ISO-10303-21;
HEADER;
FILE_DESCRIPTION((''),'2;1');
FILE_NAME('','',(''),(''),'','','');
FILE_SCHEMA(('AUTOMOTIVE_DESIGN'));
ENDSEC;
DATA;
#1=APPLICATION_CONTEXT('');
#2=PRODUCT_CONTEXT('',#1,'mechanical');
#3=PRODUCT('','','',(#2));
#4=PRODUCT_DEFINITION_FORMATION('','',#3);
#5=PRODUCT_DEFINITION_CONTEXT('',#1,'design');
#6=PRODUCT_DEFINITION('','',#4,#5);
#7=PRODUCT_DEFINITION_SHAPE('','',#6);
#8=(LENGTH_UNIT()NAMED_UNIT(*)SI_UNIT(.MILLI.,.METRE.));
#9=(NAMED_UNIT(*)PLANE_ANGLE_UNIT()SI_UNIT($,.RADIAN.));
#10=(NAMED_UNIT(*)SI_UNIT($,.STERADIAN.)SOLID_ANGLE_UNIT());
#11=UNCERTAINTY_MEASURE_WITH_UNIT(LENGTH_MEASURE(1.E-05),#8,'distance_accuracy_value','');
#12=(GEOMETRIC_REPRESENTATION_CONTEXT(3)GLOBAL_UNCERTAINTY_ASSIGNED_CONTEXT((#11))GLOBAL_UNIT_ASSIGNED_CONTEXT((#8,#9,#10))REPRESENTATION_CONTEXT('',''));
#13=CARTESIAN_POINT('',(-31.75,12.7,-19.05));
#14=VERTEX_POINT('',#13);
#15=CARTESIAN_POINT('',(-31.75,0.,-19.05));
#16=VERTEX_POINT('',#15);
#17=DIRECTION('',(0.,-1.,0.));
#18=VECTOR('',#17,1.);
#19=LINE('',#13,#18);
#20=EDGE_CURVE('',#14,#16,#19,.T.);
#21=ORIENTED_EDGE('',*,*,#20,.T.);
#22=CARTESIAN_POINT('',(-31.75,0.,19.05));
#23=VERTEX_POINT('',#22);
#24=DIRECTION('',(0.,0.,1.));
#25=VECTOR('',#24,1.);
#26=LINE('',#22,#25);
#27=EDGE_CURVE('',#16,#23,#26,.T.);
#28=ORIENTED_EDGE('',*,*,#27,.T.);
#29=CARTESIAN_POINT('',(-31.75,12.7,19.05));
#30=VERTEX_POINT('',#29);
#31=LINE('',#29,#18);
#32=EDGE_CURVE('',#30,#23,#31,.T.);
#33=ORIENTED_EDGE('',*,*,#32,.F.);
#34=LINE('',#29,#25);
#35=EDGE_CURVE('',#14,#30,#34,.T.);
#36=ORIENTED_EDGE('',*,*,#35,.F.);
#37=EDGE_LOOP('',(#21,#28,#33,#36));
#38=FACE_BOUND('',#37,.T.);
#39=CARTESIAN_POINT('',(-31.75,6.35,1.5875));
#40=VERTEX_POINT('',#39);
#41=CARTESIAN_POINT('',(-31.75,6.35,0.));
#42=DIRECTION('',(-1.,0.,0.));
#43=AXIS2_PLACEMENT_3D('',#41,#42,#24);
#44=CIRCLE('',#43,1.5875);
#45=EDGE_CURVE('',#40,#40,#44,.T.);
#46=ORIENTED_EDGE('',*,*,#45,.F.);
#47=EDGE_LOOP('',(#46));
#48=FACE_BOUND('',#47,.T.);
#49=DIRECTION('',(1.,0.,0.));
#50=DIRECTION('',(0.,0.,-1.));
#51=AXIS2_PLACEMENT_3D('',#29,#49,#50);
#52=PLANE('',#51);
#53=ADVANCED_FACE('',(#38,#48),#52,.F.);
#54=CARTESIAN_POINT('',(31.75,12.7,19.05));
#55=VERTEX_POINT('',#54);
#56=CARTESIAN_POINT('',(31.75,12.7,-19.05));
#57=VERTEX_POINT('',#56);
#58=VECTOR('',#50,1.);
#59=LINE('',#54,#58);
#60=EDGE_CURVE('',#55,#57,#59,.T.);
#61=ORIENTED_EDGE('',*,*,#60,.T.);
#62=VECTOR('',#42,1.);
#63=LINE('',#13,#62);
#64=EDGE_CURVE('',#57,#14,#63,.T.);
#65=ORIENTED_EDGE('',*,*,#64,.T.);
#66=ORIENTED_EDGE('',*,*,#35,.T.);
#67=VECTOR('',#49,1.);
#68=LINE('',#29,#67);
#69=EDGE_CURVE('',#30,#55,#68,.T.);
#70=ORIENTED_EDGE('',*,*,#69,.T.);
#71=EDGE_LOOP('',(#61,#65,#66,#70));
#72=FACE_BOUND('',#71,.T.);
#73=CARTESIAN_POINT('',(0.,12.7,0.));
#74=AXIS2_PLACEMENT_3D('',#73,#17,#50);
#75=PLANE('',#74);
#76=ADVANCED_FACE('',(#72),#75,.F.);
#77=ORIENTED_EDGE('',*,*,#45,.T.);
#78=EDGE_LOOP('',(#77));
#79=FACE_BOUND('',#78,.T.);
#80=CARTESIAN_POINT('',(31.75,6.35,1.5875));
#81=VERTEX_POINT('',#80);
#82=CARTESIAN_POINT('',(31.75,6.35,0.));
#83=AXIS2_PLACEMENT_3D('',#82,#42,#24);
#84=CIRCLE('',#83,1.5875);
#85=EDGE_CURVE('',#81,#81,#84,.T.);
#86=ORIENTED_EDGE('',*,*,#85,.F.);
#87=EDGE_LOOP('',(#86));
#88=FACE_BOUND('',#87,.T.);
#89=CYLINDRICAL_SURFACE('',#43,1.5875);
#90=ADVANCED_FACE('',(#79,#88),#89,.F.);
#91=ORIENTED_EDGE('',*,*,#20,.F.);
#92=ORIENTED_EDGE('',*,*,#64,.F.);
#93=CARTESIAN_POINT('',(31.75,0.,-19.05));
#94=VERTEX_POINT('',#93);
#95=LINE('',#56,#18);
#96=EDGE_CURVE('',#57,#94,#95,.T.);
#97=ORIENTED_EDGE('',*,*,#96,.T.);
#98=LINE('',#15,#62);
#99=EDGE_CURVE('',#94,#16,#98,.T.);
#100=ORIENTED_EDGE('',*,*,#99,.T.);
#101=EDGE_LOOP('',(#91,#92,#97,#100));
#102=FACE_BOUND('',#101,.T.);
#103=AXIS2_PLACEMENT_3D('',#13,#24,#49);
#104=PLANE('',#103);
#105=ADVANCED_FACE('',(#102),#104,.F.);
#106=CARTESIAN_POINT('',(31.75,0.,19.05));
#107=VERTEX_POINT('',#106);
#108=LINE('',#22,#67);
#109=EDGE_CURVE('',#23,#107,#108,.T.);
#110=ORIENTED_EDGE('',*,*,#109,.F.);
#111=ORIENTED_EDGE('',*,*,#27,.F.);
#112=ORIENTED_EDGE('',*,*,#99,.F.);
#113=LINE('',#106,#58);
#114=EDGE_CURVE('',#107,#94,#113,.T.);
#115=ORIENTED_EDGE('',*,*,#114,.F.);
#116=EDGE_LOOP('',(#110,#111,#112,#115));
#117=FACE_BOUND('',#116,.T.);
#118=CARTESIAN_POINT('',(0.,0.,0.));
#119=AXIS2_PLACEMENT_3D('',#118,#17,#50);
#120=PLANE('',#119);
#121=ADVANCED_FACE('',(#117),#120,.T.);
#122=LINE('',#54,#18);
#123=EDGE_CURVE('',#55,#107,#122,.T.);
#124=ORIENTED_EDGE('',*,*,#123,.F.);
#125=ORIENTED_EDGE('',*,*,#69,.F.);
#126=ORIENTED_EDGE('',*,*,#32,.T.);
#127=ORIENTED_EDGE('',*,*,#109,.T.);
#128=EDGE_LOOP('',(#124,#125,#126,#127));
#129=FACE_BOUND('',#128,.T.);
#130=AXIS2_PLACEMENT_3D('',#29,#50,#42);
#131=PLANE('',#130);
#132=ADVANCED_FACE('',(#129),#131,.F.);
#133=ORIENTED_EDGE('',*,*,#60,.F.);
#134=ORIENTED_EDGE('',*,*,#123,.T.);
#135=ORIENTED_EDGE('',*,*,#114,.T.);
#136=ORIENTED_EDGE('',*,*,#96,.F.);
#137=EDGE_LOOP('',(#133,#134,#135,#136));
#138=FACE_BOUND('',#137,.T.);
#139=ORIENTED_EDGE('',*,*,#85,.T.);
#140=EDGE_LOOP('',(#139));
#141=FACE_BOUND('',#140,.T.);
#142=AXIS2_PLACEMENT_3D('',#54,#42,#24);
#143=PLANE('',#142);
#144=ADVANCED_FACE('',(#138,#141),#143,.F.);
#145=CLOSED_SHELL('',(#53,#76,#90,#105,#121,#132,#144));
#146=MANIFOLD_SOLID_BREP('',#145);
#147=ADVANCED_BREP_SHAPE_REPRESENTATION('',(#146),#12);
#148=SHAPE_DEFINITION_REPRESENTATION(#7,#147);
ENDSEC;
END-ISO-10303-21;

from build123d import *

# Parameters (mm, degrees)
SKETCH1_W                    = 63.5
SKETCH1_H                    = 38.1
BOSS_EXTRUDE1_DEPTH          = 12.7
F_1_8_0_125_DIAMETER_HOLE1_D = 3.175


with BuildPart() as part:
    # Sketch1 → Boss-Extrude1 (new body)
    with BuildSketch(Plane(origin=(0, 0, 0), x_dir=(1, 0, 0), z_dir=(0, 1, 0))):
        Rectangle(SKETCH1_W, SKETCH1_H)
    extrude(amount=BOSS_EXTRUDE1_DEPTH)

    # 1/8 (0.125) Diameter Hole1 (through all)
    with Locations(Plane.ZY.offset(31.75)):
        with Locations((0, 6.35)):
            Hole(F_1_8_0_125_DIAMETER_HOLE1_D / 2)


solid = part.part
